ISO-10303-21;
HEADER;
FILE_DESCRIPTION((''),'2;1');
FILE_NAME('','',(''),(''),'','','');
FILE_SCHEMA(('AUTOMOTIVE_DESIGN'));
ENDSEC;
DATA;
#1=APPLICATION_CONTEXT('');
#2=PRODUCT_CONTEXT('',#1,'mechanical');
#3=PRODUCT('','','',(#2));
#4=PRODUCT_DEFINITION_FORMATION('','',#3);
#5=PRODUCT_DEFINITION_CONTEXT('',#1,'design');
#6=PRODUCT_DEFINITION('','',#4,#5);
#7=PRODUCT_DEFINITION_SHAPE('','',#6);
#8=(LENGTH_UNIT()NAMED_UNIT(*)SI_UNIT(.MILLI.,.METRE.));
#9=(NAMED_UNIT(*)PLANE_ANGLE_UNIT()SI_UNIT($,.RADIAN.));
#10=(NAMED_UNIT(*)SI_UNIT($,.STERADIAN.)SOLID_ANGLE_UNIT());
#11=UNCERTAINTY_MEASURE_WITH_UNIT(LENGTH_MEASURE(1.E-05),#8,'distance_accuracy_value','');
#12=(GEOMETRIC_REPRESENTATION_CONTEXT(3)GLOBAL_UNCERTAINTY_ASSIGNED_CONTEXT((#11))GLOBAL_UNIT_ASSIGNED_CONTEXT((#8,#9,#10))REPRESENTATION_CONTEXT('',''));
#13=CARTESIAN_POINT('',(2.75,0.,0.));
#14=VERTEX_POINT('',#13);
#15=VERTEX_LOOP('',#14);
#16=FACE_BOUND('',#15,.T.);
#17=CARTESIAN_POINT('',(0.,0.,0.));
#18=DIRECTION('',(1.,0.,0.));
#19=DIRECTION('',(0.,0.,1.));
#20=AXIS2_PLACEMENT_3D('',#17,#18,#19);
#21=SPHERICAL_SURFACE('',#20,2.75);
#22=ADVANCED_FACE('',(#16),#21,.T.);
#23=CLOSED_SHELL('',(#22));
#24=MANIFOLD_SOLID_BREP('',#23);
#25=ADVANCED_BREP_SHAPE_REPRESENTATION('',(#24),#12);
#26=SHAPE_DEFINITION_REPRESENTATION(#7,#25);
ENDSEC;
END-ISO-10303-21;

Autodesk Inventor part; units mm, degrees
ref_plane "YZ Plane" through (0, 0, 0) normal (1, 0, 0) x (0, 1, 0)
ref_plane "XZ Plane" through (0, 0, 0) normal (0, 1, 0) x (-1, 0, 0)
ref_plane "XY Plane" through (0, 0, 0) normal (0, 0, 1) x (1, 0, 0)
sketch "Sketch1" plane through (0, 0, 0) normal (0, 1, 0) x (-1, 0, 0)
  line L0 (2828, 0) -> (-3617, 0)
  circle A0 centre (0, 0) radius 2.75
  point P0 (-2.75, 0)
  point P1 (2.75, 0)
  dimension "d1" = 5.5
revolve "Revolution1" add sketch "Sketch1" angle 360 about axis through (-2828, 0, 0) along (1, 0, 0) picked at (-1.0422, 1.0339) contours L0 A0
properties part number "HUDSON-1-90"
